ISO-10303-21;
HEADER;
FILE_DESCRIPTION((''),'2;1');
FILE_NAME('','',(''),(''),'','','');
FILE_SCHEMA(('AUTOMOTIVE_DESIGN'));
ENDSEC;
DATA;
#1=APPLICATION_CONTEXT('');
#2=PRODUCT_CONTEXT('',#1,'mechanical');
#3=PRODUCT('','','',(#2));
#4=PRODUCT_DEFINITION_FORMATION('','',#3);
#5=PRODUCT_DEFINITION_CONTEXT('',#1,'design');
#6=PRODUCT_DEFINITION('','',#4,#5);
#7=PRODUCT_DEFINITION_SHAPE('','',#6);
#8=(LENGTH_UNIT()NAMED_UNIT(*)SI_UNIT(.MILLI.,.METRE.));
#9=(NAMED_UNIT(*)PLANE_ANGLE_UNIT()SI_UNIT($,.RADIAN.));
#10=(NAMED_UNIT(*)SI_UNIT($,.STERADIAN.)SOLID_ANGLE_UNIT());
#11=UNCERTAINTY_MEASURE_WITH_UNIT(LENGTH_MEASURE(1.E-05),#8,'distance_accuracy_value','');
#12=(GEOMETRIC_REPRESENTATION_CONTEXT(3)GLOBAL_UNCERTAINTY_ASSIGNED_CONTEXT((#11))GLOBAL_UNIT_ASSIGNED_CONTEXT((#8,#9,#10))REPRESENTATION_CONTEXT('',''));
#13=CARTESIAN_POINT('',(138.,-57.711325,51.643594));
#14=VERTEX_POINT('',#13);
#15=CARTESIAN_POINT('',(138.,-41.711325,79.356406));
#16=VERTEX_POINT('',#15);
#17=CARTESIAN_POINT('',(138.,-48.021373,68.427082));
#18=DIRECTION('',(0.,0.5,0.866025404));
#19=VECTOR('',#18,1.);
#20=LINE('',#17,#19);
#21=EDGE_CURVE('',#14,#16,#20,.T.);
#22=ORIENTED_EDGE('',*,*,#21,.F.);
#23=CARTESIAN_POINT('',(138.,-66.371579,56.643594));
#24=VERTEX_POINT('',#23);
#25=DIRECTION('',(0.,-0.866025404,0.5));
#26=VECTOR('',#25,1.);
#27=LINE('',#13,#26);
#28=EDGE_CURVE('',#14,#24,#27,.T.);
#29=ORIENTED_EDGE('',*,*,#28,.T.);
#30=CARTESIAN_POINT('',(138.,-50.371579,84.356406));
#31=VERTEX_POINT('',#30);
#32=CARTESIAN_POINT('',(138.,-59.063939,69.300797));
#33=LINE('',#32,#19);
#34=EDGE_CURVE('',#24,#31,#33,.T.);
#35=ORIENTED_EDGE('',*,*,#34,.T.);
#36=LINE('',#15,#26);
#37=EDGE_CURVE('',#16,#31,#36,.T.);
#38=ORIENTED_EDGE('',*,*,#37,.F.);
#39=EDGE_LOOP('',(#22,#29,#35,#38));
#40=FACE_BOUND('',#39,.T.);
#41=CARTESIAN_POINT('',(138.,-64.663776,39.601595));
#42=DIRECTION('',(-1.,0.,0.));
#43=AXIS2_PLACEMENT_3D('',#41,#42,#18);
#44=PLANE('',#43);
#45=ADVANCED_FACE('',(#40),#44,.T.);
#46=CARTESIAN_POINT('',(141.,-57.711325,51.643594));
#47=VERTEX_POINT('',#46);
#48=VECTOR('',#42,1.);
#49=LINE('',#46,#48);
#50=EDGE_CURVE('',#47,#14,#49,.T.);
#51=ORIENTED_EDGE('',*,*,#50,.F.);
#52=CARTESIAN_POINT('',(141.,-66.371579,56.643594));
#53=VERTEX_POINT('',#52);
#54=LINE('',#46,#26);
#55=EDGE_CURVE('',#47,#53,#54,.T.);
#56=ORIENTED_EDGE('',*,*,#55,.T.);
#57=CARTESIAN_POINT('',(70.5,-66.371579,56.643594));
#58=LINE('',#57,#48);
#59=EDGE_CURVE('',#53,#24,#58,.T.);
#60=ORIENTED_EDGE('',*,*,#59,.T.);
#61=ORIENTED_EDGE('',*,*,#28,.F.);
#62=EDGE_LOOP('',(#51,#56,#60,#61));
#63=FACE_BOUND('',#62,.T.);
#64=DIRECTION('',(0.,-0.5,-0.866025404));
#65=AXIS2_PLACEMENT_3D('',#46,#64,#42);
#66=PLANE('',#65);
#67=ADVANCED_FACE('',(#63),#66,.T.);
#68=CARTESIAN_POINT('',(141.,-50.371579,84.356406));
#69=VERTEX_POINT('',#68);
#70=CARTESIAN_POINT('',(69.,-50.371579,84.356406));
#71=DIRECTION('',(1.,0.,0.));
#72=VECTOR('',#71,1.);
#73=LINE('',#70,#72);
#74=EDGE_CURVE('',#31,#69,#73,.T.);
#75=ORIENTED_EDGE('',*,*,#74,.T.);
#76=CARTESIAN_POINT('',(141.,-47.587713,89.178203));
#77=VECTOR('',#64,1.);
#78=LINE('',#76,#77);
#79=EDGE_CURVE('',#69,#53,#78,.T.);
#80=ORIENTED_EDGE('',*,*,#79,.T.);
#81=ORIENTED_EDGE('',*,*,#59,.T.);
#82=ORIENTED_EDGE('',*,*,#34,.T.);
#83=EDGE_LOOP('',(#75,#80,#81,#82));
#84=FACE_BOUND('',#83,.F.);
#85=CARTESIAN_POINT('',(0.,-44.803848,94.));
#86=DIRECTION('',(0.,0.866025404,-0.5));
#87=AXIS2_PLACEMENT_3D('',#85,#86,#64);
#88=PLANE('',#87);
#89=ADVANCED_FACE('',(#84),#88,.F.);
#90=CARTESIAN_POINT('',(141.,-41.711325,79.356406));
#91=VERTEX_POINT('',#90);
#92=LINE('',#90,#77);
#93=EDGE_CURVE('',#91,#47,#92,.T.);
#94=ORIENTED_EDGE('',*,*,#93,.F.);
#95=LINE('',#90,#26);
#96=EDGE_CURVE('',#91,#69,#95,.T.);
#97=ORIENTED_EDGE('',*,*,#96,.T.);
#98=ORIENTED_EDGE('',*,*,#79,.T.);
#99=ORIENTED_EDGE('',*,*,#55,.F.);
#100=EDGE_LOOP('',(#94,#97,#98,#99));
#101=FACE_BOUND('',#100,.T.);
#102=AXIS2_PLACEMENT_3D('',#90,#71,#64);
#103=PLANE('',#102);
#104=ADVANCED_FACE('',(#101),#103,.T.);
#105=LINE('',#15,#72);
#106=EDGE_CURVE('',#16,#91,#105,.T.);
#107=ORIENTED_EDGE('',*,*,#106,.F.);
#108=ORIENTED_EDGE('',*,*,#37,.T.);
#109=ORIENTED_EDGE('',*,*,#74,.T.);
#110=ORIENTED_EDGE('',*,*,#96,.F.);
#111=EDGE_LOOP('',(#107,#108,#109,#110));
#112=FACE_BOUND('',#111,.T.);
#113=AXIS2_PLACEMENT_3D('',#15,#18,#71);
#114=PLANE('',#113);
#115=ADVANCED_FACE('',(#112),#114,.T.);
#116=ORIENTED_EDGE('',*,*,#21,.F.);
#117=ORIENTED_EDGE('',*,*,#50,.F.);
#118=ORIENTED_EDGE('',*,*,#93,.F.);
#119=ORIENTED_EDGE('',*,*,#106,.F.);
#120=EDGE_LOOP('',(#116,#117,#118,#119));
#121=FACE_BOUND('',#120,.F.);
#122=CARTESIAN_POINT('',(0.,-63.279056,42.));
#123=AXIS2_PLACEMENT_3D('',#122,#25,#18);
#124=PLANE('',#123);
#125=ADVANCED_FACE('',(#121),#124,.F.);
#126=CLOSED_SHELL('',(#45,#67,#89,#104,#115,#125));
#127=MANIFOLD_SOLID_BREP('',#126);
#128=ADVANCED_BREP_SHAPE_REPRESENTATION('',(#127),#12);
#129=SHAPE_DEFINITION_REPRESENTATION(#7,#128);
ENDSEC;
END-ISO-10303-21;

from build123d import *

# Parameters (mm, degrees)
PAD010_DEPTH    = 148
SKETCH016_W     = 66.569612
SKETCH016_H     = 138
POCKET005_DEPTH = 33.501
POCKET006_DEPTH = 33.501


with BuildPart() as part:
    # Sketch015 → Pad010 (new body)
    with BuildSketch(Plane.YZ):
        Polygon((-71.9393102292, 47), (-63.2790561914, 42), (-36.1435935394, 89), (-44.8038475773, 94), align=None)
    extrude(amount=PAD010_DEPTH)

    # Sketch016 (on Face2 of Pad010) → Pocket005 (cut, through all)
    with BuildSketch(Plane(origin=(0, -65.645825623, 37.9006350946), x_dir=(0, 0.5, 0.8660254038), z_dir=(0, 0.8660254038, -0.5))):
        with Locations((35.248905, 69)):
            Rectangle(SKETCH016_W, SKETCH016_H)
    extrude(amount=-POCKET005_DEPTH, mode=Mode.SUBTRACT)

    # Sketch017 (on Face3 of Pocket005) → Pocket006 (cut, through all)
    with BuildSketch(Plane(origin=(0, -65.645825623, 37.9006350946), x_dir=(0, 0.5, 0.8660254038), z_dir=(0, 0.8660254038, -0.5))):
        Polygon((4.7335388633, 138), (4.7335388633, 148), (59.0044641671, 148), (59.0044641671, 138), (47.8690015152, 138), (47.8690015152, 141), (15.8690015152, 141), (15.8690015152, 138), align=None)
    extrude(amount=-POCKET006_DEPTH, mode=Mode.SUBTRACT)


solid = part.part
